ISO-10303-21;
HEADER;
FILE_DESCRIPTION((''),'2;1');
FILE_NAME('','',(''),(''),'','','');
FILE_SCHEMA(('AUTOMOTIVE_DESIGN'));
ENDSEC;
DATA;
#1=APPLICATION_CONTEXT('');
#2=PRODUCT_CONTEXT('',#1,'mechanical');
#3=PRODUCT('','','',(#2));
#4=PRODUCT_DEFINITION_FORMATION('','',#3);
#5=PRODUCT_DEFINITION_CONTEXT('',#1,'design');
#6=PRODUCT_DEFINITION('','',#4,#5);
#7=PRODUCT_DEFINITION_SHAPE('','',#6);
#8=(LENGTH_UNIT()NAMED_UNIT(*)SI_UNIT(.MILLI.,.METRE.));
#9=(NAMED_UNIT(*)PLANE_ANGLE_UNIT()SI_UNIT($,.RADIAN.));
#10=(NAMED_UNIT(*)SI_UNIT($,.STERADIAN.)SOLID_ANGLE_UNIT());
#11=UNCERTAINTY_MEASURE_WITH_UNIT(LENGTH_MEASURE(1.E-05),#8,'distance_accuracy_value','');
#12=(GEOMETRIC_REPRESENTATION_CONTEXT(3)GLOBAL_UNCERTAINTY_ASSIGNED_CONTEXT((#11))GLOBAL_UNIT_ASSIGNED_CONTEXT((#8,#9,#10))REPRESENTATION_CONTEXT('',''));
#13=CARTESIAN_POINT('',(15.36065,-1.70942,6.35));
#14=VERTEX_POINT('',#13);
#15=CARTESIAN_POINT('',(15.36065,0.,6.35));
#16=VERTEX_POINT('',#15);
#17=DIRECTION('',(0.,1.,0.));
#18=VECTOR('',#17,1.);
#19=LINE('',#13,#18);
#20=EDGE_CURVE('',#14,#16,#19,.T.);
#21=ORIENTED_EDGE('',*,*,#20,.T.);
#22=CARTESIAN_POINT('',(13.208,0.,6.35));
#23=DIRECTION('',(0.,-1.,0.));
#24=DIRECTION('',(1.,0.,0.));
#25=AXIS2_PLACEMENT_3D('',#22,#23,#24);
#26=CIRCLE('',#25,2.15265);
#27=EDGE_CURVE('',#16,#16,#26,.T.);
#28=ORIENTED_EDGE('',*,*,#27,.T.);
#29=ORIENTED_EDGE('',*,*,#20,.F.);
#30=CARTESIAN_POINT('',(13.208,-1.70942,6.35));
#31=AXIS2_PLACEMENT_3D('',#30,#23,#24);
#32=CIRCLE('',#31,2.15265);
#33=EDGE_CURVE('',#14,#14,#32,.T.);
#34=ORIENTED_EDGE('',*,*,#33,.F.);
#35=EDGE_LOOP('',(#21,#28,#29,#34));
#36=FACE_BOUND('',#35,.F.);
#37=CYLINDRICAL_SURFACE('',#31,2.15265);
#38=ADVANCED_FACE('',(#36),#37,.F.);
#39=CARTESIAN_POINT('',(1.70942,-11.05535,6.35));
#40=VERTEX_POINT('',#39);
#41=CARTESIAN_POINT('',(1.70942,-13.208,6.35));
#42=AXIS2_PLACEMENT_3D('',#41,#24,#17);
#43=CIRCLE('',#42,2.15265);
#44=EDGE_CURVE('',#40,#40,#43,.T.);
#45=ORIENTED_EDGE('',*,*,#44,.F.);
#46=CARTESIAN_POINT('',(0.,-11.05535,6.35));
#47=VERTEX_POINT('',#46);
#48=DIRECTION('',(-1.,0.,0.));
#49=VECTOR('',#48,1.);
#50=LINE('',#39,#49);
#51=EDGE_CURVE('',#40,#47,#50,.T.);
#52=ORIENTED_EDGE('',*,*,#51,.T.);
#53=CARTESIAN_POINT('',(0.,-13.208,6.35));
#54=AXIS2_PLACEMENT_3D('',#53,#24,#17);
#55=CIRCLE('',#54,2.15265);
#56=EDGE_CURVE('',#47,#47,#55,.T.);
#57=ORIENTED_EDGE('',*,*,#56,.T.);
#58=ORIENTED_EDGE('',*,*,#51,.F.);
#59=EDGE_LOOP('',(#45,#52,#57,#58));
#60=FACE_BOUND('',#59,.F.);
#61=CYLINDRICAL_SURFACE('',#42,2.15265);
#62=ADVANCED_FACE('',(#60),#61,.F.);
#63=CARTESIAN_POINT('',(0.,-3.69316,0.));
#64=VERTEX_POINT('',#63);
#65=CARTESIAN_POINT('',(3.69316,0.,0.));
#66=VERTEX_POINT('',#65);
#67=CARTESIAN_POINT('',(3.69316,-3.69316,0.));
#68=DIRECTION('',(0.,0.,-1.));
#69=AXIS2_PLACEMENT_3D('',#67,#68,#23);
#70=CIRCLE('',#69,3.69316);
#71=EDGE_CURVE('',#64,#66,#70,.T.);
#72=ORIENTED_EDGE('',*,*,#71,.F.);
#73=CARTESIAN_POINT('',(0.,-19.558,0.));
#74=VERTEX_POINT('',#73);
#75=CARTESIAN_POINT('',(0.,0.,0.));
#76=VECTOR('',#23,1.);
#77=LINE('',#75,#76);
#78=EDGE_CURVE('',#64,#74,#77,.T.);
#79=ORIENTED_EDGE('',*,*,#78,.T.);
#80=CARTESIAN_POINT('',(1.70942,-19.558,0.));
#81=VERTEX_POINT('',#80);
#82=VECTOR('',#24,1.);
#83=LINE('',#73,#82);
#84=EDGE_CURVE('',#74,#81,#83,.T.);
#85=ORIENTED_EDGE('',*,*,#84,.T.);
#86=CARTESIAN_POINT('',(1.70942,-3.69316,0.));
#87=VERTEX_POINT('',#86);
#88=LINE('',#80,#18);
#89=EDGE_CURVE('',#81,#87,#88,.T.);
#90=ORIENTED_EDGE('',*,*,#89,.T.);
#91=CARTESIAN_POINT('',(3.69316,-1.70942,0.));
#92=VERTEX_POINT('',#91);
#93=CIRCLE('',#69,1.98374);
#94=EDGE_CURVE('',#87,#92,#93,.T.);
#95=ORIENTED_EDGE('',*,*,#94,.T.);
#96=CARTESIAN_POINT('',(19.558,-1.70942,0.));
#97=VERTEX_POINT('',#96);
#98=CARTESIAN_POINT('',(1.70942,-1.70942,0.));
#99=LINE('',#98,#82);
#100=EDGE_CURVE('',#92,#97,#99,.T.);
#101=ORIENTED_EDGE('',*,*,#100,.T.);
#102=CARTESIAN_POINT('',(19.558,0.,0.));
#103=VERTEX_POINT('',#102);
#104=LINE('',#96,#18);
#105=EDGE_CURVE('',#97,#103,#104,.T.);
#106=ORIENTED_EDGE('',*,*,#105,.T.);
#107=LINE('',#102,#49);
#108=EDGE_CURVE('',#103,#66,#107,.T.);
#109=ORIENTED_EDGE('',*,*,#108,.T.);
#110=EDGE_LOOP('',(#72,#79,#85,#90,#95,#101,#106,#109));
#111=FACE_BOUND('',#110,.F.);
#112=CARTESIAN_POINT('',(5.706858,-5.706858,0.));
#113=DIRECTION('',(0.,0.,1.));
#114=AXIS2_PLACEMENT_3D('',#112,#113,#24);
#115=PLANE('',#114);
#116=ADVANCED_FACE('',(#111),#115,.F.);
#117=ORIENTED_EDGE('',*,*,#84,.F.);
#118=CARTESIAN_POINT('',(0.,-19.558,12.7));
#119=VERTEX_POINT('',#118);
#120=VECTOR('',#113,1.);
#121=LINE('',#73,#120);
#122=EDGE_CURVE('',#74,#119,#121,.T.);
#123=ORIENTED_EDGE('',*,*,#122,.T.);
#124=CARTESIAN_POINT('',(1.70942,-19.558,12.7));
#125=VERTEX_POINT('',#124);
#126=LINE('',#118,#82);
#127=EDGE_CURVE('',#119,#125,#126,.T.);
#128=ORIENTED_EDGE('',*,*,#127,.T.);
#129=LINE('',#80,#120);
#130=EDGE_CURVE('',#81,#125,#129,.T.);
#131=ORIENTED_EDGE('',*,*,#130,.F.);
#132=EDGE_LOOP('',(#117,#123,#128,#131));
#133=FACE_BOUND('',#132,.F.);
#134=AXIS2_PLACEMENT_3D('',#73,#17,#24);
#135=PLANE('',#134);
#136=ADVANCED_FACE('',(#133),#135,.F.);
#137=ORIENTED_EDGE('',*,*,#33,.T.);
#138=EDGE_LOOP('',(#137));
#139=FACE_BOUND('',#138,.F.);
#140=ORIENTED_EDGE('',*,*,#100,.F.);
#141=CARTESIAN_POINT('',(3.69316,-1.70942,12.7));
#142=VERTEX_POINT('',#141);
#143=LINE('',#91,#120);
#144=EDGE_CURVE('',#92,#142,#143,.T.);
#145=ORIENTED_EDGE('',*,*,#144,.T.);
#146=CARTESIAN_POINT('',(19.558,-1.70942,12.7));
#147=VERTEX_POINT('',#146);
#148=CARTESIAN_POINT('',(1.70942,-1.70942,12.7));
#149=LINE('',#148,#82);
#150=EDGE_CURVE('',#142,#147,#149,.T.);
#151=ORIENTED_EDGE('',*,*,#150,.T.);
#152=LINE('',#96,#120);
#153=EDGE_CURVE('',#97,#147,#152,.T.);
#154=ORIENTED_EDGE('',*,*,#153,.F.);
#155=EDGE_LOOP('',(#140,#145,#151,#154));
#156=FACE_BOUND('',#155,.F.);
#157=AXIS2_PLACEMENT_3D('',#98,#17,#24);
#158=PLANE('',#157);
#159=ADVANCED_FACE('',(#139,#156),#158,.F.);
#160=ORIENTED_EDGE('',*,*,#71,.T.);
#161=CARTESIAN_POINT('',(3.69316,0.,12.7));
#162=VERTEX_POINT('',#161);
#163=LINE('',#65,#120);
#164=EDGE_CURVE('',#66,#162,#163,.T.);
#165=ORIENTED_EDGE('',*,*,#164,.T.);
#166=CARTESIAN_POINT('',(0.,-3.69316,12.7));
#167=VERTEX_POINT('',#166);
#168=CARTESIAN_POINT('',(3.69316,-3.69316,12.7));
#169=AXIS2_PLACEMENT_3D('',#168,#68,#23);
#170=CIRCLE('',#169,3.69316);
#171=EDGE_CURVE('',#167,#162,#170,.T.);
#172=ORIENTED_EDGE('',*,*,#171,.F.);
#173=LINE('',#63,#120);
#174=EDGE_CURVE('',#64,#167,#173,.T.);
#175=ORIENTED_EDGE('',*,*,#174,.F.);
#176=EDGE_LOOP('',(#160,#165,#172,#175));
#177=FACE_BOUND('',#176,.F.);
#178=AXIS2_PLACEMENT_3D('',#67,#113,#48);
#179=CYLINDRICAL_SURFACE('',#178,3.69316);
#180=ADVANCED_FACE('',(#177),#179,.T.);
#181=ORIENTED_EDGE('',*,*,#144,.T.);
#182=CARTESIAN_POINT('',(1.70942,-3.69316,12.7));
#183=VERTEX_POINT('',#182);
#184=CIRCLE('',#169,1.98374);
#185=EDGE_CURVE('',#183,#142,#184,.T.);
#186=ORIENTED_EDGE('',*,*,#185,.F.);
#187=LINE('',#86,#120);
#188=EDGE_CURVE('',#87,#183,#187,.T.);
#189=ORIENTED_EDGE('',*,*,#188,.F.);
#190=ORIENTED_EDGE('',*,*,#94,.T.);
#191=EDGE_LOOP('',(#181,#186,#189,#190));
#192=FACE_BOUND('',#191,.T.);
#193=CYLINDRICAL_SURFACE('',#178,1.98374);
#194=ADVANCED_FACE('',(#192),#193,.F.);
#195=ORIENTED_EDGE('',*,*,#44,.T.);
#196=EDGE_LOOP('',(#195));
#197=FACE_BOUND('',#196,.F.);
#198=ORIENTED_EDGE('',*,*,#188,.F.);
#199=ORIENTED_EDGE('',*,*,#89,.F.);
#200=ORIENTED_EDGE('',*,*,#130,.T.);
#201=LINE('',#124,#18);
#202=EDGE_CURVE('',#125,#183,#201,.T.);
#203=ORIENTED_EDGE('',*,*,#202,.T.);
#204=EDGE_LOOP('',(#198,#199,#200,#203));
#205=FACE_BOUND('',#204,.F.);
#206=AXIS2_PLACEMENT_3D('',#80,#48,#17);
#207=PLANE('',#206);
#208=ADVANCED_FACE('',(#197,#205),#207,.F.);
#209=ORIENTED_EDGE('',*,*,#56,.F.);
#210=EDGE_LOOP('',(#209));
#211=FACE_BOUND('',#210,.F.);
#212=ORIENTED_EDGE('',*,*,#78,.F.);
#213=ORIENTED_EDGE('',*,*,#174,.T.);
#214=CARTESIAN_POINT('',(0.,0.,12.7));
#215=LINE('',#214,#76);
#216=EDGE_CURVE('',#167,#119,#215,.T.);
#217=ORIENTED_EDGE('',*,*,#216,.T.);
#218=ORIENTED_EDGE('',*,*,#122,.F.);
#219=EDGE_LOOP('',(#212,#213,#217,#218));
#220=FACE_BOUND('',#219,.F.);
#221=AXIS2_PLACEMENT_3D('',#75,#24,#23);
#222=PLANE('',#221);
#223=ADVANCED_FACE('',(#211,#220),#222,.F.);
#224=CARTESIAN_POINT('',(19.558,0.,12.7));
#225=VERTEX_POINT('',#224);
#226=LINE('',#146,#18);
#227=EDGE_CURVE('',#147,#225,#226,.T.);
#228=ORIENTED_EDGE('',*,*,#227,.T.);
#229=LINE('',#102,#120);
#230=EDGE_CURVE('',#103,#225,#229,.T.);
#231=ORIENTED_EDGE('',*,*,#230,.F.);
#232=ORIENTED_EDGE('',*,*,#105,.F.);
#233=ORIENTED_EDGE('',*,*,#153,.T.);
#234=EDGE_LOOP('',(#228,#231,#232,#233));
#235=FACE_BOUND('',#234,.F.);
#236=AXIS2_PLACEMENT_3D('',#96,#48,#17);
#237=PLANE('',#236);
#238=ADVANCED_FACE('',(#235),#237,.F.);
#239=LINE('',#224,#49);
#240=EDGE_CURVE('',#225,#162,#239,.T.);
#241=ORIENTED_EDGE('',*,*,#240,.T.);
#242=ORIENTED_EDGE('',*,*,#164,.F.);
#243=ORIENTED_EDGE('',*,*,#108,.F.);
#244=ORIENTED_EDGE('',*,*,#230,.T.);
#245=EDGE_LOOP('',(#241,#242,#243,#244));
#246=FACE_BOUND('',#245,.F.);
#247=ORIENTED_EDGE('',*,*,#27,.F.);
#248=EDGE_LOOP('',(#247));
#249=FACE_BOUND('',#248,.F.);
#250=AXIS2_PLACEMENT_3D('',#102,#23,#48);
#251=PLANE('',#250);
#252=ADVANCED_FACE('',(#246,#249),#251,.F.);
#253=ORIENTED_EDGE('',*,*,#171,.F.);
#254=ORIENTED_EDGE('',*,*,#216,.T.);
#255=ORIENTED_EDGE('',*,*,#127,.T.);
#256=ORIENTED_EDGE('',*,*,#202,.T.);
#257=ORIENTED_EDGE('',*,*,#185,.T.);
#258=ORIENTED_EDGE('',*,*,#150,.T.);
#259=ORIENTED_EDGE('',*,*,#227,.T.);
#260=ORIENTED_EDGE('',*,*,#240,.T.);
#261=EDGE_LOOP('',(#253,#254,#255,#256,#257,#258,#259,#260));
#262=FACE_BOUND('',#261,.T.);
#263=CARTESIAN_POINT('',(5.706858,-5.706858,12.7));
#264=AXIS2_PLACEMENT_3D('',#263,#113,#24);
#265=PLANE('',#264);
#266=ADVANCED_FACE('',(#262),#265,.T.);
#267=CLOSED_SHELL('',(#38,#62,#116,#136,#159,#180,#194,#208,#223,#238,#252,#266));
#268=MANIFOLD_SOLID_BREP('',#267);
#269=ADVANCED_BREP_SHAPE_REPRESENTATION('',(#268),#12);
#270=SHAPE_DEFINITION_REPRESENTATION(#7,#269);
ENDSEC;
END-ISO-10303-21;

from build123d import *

# Parameters (mm, degrees)
F1_DEPTH = 12.7
F2_R     = 1.98374
F3_R     = 3.69316
F4_R     = 2.15265
F5_DEPTH = 1.70942
F6_R     = 2.15265
F7_DEPTH = 1.70942


with BuildPart() as f1:
    # F0 (on Top) → F1 (new body)
    with BuildSketch(Plane.XY):
        Polygon((19.558, 0), (0, 0), (0, -19.558), (1.70942, -19.558), (1.70942, -1.70942), (19.558, -1.70942), align=None)
    extrude(amount=F1_DEPTH)

    # F2
    f2_edges = [f1.edges().sort_by_distance(p)[0] for p in [
        (1.70942, -1.70942, 6.35),
    ]]
    fillet(f2_edges, radius=F2_R)

    # F3
    f3_edges = [f1.edges().sort_by_distance(p)[0] for p in [
        (0, 0, 6.35),
    ]]
    fillet(f3_edges, radius=F3_R)

    # F4 (on face) → F5 (cut, through all)
    with BuildSketch(Plane.XZ.offset(1.70942)):
        with Locations((13.208, 6.35)):
            Circle(F4_R)
    extrude(amount=-F5_DEPTH, mode=Mode.SUBTRACT)

    # F6 (on face) → F7 (cut, through all)
    with BuildSketch(Plane.YZ.offset(1.70942)):
        with Locations((-13.208, 6.35)):
            Circle(F6_R)
    extrude(amount=-F7_DEPTH, mode=Mode.SUBTRACT)


solid = f1.part
